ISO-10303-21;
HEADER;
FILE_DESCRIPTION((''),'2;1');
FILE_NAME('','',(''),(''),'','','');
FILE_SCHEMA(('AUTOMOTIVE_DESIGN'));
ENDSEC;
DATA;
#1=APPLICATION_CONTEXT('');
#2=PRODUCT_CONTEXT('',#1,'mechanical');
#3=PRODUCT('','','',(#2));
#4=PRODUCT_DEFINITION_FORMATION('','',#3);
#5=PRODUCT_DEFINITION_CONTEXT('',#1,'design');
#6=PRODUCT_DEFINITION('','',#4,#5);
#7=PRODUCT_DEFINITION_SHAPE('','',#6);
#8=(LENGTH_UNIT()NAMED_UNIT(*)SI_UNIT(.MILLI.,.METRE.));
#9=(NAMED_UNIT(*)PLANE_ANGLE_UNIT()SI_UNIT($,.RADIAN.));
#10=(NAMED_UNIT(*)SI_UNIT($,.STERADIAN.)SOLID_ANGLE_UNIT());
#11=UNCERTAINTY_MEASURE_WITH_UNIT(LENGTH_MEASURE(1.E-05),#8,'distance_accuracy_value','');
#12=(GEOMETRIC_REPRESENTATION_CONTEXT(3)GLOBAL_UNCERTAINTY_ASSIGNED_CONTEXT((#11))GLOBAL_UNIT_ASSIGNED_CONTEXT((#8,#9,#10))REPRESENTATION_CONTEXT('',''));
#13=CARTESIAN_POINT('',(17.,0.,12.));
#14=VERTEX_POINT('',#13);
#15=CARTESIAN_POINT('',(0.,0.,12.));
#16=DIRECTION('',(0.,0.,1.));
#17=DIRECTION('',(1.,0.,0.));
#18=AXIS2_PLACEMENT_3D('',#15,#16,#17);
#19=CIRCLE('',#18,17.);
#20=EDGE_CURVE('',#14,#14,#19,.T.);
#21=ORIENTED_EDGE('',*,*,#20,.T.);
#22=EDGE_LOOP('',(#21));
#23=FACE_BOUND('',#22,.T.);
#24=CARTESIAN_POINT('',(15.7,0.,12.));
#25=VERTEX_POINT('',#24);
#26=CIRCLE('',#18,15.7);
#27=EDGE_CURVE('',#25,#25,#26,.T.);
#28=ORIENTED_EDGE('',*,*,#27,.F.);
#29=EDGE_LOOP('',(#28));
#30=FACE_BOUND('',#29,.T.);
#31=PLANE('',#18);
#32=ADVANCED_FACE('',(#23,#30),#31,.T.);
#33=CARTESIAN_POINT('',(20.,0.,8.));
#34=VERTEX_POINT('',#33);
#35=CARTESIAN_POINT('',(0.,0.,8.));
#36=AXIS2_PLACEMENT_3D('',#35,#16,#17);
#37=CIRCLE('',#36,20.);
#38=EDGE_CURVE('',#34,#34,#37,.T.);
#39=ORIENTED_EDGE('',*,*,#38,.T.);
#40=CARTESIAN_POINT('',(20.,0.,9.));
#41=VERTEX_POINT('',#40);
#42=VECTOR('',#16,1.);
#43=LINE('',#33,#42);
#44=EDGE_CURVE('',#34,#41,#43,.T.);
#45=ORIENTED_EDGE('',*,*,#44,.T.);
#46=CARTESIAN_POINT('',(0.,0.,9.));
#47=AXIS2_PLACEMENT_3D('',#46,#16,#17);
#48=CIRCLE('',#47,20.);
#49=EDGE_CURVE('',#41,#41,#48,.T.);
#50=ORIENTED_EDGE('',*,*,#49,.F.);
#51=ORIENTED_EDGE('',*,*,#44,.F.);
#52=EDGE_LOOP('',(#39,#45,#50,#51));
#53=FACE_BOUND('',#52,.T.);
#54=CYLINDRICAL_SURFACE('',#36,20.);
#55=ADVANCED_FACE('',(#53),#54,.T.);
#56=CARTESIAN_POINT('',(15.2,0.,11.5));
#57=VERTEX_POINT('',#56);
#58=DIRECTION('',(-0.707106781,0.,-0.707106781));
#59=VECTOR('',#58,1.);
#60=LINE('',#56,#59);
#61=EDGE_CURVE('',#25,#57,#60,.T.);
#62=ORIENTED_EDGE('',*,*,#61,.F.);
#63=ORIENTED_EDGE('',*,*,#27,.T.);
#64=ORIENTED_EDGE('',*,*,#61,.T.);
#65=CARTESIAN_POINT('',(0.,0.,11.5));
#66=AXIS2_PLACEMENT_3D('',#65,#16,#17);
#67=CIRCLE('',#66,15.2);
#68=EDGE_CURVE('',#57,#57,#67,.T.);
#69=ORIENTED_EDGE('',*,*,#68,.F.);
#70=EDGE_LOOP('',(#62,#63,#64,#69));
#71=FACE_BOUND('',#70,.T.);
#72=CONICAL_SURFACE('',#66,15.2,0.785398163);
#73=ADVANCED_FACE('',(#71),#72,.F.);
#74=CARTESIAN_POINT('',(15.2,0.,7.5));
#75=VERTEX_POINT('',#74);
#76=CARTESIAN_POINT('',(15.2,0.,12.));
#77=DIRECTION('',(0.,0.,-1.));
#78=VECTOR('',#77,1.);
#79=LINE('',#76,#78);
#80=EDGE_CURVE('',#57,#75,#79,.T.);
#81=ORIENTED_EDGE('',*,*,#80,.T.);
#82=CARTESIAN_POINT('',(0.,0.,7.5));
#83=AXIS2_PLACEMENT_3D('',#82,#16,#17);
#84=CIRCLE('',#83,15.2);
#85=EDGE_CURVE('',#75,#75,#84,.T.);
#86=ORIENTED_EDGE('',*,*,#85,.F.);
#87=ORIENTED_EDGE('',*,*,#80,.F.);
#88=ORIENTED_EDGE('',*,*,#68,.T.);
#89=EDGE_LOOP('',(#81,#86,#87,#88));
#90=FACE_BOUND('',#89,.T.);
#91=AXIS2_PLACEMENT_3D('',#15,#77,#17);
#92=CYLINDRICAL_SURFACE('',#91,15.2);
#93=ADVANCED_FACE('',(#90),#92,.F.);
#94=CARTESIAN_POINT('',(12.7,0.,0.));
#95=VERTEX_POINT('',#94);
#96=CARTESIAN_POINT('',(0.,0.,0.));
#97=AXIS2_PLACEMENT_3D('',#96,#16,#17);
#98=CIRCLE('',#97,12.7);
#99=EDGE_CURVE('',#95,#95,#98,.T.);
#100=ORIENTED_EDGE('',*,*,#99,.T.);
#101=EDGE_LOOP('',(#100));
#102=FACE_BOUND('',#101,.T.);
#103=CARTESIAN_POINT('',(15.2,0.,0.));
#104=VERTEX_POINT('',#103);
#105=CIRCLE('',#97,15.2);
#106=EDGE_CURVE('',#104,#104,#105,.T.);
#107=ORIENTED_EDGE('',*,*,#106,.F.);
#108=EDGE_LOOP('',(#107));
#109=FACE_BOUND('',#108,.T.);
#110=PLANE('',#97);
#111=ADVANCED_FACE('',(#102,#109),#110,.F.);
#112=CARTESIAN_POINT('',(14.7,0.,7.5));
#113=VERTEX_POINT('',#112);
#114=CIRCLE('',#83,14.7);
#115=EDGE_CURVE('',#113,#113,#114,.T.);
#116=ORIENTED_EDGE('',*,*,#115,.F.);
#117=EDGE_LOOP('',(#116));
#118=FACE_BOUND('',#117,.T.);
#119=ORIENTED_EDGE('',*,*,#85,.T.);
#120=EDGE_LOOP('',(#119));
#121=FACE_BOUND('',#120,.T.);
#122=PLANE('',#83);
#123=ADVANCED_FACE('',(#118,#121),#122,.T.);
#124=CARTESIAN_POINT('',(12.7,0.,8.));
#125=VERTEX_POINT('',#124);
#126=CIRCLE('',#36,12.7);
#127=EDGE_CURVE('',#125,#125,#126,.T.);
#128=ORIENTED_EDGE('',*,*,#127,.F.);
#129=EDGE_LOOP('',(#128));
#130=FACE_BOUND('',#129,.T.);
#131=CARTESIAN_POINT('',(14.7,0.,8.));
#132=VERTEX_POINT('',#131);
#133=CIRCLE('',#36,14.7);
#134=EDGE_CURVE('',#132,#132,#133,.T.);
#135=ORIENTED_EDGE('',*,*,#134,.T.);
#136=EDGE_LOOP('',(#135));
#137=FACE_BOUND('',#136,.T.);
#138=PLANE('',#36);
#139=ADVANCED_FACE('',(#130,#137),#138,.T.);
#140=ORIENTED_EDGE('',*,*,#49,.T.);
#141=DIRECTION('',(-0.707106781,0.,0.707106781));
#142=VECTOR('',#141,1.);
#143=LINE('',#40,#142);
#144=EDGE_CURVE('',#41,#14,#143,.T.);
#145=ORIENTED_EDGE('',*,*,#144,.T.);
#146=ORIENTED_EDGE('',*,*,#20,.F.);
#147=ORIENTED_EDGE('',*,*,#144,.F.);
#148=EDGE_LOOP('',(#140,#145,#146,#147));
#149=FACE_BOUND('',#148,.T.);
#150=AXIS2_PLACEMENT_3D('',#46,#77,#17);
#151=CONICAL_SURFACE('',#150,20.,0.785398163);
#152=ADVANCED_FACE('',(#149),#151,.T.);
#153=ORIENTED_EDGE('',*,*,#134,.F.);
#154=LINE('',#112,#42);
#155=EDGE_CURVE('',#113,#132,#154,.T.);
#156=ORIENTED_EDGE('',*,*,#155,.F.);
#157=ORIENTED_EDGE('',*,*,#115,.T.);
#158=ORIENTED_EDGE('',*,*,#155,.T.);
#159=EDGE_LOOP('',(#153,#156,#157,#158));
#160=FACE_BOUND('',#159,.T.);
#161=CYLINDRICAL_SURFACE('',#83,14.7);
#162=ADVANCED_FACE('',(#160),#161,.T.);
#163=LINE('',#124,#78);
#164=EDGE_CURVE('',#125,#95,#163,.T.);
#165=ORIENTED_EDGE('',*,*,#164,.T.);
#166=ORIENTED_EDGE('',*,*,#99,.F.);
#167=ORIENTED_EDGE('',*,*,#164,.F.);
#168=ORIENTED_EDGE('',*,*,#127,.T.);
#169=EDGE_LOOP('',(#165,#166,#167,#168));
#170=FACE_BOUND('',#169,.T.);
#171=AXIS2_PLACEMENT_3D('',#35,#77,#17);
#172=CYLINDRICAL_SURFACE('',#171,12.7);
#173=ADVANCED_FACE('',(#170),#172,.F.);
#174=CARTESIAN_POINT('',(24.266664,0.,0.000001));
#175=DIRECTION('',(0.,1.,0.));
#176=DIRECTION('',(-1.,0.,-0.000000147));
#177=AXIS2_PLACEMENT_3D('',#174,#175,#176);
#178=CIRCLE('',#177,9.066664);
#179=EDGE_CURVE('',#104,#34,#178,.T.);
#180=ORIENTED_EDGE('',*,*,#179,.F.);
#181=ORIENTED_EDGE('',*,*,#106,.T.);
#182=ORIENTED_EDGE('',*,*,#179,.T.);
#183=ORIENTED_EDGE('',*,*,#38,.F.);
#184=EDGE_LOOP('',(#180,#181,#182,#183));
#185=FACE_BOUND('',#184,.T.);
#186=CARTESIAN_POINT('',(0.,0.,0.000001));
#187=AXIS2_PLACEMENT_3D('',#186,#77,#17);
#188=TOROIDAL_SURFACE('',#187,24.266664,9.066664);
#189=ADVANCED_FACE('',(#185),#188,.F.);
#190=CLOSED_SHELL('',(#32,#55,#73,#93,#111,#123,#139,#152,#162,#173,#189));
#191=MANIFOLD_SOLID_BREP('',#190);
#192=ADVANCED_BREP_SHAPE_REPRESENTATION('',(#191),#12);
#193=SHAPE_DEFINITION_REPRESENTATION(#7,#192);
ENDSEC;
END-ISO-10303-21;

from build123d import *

# Parameters (mm, degrees)
F2_SIZE = 0.5


with BuildPart() as f1:
    # F0 (on Front) → F1 (revolve)
    with BuildSketch(Plane.XZ):
        with BuildLine():
            Line((12.7, 8), (12.7, 0))
            Line((12.7, 0), (15.2, 0))
            ThreePointArc((15.2, 0), (16.492064, 4.664762), (20, 8))
            Line((20, 8), (20, 9))
            Line((20, 9), (17, 12))
            Line((17, 12), (15.2, 12))
            Line((15.2, 12), (15.2, 7.5))
            Line((15.2, 7.5), (14.7, 7.5))
            Line((14.7, 7.5), (14.7, 8))
            Line((14.7, 8), (12.7, 8))
        make_face()
    revolve(axis=Axis((0, 0, 6), (0, 0, 1)))

    # F2
    f2_edges = [f1.edges().sort_by_distance(p)[0] for p in [
        (-15.2, 0, 12),
    ]]
    chamfer(f2_edges, length=F2_SIZE)


solid = f1.part
